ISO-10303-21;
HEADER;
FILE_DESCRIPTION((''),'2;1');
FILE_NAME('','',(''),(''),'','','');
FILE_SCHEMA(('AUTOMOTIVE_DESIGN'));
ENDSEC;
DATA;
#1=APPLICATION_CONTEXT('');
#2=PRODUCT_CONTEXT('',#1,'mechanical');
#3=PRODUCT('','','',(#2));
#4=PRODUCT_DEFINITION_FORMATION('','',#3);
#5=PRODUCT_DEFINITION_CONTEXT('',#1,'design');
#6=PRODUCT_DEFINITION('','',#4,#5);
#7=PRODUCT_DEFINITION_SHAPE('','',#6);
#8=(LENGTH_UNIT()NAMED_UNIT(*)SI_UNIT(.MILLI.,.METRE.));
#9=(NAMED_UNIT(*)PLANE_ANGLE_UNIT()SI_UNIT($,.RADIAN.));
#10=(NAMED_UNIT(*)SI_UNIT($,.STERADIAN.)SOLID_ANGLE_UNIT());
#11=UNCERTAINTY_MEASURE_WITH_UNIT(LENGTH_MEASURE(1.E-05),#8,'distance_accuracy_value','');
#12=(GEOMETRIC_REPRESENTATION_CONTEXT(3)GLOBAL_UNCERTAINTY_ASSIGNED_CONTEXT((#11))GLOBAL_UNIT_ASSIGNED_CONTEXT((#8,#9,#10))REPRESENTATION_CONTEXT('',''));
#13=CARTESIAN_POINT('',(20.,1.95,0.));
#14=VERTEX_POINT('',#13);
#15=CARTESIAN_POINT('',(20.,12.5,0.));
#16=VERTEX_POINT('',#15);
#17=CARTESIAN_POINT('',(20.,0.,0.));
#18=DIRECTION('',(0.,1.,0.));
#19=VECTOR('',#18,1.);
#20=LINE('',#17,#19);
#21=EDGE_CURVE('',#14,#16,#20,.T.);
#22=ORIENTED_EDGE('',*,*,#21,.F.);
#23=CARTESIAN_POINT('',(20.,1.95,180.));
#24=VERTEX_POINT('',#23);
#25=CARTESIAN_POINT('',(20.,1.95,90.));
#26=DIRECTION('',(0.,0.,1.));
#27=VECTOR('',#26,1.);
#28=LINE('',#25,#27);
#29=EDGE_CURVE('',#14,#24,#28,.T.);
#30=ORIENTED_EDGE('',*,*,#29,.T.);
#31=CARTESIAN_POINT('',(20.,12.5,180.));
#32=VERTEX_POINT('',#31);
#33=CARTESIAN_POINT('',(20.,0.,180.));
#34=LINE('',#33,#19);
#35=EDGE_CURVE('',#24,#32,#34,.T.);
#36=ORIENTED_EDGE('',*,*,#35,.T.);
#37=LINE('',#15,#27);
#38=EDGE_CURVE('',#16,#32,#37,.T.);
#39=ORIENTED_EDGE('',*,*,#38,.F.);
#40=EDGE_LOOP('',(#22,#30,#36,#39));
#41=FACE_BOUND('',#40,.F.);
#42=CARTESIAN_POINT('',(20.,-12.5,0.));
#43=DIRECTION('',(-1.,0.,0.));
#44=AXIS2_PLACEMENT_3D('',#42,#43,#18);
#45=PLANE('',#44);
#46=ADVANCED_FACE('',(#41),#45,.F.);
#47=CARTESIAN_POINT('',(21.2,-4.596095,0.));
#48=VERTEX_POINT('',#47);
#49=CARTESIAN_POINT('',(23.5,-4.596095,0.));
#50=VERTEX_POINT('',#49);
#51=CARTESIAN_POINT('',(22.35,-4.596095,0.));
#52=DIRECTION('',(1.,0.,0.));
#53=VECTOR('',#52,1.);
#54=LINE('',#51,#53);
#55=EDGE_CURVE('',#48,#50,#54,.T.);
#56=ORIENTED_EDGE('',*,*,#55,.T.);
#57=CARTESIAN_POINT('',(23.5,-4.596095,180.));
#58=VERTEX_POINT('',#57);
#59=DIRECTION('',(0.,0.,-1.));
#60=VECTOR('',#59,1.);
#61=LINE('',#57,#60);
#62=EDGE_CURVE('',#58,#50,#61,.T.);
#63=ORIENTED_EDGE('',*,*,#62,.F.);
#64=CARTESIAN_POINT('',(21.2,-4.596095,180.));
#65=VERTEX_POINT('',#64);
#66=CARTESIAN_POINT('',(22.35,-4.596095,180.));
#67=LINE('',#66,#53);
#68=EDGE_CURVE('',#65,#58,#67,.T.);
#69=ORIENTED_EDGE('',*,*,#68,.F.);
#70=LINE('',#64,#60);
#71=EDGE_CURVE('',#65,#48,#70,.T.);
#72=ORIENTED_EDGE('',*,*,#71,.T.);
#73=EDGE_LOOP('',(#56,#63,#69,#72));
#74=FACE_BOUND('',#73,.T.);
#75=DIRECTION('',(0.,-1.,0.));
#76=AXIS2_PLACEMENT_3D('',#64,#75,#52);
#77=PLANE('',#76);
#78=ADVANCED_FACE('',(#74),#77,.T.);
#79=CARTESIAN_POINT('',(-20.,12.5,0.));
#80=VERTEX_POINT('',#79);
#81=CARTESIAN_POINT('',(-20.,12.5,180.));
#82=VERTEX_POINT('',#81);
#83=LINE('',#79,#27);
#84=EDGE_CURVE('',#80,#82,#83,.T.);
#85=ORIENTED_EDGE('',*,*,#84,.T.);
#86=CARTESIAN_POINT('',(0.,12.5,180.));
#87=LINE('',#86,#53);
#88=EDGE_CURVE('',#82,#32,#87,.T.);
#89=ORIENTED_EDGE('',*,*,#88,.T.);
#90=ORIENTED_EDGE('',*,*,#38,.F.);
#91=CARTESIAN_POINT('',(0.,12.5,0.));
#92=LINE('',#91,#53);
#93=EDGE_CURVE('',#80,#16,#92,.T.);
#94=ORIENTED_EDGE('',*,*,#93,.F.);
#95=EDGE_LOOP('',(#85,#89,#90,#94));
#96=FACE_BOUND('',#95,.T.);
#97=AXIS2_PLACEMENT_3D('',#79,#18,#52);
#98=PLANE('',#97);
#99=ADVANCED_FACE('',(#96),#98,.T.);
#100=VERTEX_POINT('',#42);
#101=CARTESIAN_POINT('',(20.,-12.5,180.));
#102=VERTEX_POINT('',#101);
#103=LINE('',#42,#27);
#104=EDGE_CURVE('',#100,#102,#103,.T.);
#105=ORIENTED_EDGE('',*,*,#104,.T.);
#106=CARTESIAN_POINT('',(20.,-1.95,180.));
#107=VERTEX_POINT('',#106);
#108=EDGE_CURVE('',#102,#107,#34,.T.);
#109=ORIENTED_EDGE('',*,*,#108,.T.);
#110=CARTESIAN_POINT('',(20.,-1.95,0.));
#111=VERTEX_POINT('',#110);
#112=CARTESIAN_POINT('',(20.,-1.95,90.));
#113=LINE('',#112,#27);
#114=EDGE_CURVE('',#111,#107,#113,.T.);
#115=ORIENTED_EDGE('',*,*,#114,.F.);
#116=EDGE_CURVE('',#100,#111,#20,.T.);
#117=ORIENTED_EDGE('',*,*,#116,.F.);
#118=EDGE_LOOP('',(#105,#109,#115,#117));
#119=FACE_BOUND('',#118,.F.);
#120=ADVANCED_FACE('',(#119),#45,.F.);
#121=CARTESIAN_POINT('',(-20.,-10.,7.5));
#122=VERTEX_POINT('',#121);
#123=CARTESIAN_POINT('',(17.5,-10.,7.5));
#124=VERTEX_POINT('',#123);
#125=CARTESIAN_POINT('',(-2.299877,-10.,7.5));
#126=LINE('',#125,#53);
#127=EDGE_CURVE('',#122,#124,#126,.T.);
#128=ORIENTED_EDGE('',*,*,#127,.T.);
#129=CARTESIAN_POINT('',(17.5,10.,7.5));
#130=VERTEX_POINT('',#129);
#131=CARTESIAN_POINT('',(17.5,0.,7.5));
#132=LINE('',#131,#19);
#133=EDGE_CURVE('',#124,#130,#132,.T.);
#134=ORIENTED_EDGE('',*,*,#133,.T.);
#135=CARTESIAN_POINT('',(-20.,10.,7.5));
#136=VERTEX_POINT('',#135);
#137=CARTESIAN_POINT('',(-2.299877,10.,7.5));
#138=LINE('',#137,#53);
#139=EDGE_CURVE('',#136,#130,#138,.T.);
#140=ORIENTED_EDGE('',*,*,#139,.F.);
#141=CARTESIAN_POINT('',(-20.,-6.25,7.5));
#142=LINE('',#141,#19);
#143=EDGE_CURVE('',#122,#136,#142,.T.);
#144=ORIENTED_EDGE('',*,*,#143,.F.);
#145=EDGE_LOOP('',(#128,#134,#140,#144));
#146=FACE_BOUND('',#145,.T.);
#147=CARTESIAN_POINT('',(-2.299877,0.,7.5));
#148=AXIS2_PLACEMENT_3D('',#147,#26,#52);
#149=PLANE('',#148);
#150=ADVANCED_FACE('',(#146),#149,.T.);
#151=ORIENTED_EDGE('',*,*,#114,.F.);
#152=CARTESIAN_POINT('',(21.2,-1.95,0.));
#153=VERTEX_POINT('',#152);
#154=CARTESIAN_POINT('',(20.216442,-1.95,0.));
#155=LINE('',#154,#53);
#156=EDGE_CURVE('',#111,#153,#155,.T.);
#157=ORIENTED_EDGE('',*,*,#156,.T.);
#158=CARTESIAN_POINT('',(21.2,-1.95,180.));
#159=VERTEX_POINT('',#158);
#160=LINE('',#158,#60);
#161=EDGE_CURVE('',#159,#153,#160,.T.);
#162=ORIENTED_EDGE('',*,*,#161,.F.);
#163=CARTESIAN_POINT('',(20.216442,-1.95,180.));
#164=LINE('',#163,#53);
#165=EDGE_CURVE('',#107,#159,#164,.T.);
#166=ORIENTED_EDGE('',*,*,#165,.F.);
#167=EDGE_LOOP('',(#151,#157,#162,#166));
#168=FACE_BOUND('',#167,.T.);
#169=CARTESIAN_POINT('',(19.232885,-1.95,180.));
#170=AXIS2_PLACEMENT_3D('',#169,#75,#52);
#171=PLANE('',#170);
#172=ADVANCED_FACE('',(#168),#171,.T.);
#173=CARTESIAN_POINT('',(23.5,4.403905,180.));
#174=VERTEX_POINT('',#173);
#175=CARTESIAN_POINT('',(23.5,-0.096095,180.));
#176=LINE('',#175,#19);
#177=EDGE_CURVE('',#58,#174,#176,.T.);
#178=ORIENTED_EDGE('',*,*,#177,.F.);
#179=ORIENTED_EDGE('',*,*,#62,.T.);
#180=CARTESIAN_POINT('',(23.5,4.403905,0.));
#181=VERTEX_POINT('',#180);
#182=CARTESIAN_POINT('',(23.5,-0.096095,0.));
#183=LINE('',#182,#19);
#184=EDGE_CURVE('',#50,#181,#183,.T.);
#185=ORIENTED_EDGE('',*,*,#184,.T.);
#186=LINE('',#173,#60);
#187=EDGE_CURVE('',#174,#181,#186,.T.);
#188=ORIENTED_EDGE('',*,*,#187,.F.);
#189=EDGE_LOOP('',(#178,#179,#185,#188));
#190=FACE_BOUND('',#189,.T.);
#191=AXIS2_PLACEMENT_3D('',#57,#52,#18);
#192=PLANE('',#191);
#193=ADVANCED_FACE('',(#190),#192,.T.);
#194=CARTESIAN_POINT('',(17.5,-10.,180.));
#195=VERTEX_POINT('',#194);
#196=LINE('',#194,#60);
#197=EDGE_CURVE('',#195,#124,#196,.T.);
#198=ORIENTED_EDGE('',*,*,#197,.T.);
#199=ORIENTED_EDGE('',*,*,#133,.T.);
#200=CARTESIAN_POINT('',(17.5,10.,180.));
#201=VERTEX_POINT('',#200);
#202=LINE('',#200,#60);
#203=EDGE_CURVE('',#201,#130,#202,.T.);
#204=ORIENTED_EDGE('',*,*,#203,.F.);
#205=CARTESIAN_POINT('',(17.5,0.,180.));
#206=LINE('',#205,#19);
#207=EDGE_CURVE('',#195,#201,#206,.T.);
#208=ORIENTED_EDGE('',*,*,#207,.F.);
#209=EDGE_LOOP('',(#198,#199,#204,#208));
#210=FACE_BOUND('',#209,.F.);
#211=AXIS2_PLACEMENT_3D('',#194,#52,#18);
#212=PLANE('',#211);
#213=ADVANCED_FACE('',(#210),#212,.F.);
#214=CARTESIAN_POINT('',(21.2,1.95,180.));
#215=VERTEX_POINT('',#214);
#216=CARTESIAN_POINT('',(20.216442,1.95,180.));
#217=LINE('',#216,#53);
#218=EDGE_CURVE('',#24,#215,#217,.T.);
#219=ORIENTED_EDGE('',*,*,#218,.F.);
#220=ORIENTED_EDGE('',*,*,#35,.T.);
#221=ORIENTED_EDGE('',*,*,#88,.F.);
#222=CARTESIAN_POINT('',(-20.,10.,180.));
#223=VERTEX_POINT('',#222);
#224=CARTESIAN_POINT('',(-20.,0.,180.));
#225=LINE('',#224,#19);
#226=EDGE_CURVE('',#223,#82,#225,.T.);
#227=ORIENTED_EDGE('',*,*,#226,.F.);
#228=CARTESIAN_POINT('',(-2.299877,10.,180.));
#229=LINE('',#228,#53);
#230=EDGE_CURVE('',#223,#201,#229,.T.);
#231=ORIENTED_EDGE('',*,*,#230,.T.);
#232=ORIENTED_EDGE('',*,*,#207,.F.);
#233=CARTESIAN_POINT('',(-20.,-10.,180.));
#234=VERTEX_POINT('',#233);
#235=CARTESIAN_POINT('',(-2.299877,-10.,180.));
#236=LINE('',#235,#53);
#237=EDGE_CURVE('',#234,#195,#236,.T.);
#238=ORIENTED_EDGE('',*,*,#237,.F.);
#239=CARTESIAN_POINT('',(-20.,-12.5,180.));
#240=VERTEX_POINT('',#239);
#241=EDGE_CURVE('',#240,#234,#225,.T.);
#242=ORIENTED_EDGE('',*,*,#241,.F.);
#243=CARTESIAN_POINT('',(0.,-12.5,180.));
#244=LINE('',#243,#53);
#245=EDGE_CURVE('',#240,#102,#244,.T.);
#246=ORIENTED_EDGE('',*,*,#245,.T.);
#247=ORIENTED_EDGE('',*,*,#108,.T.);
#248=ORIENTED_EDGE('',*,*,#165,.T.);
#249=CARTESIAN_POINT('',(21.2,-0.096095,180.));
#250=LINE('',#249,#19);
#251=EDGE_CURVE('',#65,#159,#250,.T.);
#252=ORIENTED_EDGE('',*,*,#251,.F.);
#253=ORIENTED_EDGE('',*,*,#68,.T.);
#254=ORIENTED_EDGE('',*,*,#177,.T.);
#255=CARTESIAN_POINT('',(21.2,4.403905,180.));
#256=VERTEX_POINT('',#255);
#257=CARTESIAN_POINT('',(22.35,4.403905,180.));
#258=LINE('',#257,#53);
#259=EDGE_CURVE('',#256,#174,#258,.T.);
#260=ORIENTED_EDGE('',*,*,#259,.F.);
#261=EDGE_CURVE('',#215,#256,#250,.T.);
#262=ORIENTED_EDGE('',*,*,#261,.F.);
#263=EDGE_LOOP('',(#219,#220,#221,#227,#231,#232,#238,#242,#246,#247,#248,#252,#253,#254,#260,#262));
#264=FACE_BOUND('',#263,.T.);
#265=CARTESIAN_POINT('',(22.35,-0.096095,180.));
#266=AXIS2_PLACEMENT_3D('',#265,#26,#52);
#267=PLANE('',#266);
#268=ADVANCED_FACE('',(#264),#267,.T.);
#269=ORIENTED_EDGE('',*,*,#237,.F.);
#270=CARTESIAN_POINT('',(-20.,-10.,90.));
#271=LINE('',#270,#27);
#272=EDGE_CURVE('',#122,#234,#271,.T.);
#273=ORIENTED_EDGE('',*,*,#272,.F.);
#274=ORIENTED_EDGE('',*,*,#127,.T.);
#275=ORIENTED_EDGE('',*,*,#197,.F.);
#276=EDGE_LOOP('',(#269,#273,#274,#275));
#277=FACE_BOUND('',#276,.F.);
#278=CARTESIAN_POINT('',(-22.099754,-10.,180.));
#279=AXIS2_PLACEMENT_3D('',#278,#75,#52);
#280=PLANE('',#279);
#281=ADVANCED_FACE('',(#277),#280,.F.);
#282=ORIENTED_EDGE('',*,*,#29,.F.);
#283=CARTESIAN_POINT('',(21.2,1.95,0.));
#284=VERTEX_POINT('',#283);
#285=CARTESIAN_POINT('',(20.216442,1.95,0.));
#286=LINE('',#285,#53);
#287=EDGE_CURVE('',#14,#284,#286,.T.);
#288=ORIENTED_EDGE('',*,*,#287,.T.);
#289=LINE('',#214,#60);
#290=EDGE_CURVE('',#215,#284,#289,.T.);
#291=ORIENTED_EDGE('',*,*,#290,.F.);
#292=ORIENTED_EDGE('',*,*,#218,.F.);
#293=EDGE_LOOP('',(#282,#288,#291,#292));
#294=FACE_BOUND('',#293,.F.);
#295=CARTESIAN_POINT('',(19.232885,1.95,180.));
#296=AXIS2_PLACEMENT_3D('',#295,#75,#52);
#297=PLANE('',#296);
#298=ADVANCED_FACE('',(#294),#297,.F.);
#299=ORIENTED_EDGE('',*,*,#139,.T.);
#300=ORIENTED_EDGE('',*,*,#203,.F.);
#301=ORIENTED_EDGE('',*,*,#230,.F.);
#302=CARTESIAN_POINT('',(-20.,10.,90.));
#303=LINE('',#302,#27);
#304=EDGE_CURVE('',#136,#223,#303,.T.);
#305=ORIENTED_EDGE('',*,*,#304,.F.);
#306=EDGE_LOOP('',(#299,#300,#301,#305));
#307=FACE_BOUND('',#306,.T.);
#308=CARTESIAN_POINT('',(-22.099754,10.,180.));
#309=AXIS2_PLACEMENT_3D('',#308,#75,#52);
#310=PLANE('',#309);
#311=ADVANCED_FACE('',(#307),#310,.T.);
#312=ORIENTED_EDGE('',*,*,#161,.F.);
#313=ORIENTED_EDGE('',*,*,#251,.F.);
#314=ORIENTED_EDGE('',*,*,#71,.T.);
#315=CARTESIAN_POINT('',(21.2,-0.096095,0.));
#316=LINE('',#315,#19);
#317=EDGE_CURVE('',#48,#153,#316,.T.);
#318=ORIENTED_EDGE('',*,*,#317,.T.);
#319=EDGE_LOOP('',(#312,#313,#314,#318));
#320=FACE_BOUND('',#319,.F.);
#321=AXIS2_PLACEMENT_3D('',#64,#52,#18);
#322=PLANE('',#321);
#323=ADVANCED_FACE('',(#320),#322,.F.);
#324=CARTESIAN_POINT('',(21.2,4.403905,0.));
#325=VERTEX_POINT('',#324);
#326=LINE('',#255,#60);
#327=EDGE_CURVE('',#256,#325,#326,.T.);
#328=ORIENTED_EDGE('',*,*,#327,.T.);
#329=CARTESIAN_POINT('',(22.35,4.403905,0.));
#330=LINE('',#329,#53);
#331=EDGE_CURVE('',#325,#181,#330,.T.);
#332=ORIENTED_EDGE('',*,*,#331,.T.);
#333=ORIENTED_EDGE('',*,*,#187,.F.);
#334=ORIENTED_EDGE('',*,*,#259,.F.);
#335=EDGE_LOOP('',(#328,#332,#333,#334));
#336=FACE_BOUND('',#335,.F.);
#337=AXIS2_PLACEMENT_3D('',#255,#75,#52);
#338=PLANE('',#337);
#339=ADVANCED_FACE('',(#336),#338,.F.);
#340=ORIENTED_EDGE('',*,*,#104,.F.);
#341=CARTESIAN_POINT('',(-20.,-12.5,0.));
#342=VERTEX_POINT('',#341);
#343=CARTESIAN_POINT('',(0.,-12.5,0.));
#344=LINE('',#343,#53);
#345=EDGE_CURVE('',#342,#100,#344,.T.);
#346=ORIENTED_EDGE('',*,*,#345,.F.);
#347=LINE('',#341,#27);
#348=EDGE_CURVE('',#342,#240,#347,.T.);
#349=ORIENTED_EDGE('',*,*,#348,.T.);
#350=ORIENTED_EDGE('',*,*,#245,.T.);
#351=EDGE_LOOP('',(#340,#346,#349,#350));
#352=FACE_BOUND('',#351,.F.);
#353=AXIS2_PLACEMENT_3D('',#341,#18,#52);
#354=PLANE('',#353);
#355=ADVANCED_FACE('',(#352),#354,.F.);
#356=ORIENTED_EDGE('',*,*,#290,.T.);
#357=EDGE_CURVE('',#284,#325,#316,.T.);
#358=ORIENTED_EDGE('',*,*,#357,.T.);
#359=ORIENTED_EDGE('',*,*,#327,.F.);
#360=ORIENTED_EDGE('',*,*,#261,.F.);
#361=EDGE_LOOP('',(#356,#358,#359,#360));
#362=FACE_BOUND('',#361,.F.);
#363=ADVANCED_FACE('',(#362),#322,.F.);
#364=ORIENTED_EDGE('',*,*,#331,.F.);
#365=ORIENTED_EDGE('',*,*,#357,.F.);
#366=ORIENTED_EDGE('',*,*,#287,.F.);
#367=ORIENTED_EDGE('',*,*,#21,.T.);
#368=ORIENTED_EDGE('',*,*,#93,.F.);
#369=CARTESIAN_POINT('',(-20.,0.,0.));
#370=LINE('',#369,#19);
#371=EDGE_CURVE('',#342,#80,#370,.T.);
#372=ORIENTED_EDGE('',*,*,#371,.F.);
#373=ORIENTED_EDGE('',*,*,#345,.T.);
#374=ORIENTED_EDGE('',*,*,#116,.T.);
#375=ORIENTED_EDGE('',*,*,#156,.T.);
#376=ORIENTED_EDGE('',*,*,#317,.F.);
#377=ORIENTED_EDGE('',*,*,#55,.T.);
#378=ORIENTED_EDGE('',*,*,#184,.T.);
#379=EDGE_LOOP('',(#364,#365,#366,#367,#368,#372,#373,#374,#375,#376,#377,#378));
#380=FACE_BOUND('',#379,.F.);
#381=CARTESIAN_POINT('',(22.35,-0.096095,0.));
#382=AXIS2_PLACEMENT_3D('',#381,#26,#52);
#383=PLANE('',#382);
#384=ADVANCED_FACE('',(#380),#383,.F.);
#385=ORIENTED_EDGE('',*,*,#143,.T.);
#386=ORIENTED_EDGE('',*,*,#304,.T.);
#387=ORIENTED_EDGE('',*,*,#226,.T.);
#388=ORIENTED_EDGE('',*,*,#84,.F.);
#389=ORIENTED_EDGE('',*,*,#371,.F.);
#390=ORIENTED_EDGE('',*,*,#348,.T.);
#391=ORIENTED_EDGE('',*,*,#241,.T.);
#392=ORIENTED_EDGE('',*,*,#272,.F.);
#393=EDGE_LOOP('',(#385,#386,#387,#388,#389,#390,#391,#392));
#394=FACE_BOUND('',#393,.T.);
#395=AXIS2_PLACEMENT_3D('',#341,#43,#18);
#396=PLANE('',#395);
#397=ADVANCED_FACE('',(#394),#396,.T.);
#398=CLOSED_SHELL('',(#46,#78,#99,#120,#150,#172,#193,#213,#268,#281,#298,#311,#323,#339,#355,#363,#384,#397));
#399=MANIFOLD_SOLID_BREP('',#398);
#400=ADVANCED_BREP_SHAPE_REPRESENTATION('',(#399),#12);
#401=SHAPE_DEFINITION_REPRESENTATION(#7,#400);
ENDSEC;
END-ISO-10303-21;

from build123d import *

# Parameters (mm, degrees)
SKETCH_W     = 40
SKETCH_H     = 25
PAD_DEPTH    = 180
SKETCH001_W  = 39.599754
SKETCH001_H  = 20
POCKET_DEPTH = 172.5
SKETCH002_W  = 1.967115
SKETCH002_H  = 3.9
PAD001_DEPTH = 180
SKETCH003_W  = 2.3
SKETCH003_H  = 9
PAD002_DEPTH = 180


with BuildPart() as part:
    # Sketch → Pad (new body)
    with BuildSketch(Plane.XY):
        Rectangle(SKETCH_W, SKETCH_H)
    extrude(amount=PAD_DEPTH)

    # Sketch001 (on Face6 of Pad) → Pocket (cut)
    with BuildSketch(Plane.XY.offset(180)):
        with Locations((-2.299877, 0)):
            Rectangle(SKETCH001_W, SKETCH001_H)
    extrude(amount=-POCKET_DEPTH, mode=Mode.SUBTRACT)

    # Sketch002 (on Face5 of Pocket) → Pad001 (join)
    with BuildSketch(Plane.XY.offset(180)):
        with Locations((20.2164425, 0)):
            Rectangle(SKETCH002_W, SKETCH002_H)
    extrude(amount=-PAD001_DEPTH)

    # Sketch003 (on DatumPlane) → Pad002 (join)
    with BuildSketch(Plane.XY.offset(180)):
        with Locations((22.35, -0.0960954544)):
            Rectangle(SKETCH003_W, SKETCH003_H)
    extrude(amount=-PAD002_DEPTH)


solid = part.part
